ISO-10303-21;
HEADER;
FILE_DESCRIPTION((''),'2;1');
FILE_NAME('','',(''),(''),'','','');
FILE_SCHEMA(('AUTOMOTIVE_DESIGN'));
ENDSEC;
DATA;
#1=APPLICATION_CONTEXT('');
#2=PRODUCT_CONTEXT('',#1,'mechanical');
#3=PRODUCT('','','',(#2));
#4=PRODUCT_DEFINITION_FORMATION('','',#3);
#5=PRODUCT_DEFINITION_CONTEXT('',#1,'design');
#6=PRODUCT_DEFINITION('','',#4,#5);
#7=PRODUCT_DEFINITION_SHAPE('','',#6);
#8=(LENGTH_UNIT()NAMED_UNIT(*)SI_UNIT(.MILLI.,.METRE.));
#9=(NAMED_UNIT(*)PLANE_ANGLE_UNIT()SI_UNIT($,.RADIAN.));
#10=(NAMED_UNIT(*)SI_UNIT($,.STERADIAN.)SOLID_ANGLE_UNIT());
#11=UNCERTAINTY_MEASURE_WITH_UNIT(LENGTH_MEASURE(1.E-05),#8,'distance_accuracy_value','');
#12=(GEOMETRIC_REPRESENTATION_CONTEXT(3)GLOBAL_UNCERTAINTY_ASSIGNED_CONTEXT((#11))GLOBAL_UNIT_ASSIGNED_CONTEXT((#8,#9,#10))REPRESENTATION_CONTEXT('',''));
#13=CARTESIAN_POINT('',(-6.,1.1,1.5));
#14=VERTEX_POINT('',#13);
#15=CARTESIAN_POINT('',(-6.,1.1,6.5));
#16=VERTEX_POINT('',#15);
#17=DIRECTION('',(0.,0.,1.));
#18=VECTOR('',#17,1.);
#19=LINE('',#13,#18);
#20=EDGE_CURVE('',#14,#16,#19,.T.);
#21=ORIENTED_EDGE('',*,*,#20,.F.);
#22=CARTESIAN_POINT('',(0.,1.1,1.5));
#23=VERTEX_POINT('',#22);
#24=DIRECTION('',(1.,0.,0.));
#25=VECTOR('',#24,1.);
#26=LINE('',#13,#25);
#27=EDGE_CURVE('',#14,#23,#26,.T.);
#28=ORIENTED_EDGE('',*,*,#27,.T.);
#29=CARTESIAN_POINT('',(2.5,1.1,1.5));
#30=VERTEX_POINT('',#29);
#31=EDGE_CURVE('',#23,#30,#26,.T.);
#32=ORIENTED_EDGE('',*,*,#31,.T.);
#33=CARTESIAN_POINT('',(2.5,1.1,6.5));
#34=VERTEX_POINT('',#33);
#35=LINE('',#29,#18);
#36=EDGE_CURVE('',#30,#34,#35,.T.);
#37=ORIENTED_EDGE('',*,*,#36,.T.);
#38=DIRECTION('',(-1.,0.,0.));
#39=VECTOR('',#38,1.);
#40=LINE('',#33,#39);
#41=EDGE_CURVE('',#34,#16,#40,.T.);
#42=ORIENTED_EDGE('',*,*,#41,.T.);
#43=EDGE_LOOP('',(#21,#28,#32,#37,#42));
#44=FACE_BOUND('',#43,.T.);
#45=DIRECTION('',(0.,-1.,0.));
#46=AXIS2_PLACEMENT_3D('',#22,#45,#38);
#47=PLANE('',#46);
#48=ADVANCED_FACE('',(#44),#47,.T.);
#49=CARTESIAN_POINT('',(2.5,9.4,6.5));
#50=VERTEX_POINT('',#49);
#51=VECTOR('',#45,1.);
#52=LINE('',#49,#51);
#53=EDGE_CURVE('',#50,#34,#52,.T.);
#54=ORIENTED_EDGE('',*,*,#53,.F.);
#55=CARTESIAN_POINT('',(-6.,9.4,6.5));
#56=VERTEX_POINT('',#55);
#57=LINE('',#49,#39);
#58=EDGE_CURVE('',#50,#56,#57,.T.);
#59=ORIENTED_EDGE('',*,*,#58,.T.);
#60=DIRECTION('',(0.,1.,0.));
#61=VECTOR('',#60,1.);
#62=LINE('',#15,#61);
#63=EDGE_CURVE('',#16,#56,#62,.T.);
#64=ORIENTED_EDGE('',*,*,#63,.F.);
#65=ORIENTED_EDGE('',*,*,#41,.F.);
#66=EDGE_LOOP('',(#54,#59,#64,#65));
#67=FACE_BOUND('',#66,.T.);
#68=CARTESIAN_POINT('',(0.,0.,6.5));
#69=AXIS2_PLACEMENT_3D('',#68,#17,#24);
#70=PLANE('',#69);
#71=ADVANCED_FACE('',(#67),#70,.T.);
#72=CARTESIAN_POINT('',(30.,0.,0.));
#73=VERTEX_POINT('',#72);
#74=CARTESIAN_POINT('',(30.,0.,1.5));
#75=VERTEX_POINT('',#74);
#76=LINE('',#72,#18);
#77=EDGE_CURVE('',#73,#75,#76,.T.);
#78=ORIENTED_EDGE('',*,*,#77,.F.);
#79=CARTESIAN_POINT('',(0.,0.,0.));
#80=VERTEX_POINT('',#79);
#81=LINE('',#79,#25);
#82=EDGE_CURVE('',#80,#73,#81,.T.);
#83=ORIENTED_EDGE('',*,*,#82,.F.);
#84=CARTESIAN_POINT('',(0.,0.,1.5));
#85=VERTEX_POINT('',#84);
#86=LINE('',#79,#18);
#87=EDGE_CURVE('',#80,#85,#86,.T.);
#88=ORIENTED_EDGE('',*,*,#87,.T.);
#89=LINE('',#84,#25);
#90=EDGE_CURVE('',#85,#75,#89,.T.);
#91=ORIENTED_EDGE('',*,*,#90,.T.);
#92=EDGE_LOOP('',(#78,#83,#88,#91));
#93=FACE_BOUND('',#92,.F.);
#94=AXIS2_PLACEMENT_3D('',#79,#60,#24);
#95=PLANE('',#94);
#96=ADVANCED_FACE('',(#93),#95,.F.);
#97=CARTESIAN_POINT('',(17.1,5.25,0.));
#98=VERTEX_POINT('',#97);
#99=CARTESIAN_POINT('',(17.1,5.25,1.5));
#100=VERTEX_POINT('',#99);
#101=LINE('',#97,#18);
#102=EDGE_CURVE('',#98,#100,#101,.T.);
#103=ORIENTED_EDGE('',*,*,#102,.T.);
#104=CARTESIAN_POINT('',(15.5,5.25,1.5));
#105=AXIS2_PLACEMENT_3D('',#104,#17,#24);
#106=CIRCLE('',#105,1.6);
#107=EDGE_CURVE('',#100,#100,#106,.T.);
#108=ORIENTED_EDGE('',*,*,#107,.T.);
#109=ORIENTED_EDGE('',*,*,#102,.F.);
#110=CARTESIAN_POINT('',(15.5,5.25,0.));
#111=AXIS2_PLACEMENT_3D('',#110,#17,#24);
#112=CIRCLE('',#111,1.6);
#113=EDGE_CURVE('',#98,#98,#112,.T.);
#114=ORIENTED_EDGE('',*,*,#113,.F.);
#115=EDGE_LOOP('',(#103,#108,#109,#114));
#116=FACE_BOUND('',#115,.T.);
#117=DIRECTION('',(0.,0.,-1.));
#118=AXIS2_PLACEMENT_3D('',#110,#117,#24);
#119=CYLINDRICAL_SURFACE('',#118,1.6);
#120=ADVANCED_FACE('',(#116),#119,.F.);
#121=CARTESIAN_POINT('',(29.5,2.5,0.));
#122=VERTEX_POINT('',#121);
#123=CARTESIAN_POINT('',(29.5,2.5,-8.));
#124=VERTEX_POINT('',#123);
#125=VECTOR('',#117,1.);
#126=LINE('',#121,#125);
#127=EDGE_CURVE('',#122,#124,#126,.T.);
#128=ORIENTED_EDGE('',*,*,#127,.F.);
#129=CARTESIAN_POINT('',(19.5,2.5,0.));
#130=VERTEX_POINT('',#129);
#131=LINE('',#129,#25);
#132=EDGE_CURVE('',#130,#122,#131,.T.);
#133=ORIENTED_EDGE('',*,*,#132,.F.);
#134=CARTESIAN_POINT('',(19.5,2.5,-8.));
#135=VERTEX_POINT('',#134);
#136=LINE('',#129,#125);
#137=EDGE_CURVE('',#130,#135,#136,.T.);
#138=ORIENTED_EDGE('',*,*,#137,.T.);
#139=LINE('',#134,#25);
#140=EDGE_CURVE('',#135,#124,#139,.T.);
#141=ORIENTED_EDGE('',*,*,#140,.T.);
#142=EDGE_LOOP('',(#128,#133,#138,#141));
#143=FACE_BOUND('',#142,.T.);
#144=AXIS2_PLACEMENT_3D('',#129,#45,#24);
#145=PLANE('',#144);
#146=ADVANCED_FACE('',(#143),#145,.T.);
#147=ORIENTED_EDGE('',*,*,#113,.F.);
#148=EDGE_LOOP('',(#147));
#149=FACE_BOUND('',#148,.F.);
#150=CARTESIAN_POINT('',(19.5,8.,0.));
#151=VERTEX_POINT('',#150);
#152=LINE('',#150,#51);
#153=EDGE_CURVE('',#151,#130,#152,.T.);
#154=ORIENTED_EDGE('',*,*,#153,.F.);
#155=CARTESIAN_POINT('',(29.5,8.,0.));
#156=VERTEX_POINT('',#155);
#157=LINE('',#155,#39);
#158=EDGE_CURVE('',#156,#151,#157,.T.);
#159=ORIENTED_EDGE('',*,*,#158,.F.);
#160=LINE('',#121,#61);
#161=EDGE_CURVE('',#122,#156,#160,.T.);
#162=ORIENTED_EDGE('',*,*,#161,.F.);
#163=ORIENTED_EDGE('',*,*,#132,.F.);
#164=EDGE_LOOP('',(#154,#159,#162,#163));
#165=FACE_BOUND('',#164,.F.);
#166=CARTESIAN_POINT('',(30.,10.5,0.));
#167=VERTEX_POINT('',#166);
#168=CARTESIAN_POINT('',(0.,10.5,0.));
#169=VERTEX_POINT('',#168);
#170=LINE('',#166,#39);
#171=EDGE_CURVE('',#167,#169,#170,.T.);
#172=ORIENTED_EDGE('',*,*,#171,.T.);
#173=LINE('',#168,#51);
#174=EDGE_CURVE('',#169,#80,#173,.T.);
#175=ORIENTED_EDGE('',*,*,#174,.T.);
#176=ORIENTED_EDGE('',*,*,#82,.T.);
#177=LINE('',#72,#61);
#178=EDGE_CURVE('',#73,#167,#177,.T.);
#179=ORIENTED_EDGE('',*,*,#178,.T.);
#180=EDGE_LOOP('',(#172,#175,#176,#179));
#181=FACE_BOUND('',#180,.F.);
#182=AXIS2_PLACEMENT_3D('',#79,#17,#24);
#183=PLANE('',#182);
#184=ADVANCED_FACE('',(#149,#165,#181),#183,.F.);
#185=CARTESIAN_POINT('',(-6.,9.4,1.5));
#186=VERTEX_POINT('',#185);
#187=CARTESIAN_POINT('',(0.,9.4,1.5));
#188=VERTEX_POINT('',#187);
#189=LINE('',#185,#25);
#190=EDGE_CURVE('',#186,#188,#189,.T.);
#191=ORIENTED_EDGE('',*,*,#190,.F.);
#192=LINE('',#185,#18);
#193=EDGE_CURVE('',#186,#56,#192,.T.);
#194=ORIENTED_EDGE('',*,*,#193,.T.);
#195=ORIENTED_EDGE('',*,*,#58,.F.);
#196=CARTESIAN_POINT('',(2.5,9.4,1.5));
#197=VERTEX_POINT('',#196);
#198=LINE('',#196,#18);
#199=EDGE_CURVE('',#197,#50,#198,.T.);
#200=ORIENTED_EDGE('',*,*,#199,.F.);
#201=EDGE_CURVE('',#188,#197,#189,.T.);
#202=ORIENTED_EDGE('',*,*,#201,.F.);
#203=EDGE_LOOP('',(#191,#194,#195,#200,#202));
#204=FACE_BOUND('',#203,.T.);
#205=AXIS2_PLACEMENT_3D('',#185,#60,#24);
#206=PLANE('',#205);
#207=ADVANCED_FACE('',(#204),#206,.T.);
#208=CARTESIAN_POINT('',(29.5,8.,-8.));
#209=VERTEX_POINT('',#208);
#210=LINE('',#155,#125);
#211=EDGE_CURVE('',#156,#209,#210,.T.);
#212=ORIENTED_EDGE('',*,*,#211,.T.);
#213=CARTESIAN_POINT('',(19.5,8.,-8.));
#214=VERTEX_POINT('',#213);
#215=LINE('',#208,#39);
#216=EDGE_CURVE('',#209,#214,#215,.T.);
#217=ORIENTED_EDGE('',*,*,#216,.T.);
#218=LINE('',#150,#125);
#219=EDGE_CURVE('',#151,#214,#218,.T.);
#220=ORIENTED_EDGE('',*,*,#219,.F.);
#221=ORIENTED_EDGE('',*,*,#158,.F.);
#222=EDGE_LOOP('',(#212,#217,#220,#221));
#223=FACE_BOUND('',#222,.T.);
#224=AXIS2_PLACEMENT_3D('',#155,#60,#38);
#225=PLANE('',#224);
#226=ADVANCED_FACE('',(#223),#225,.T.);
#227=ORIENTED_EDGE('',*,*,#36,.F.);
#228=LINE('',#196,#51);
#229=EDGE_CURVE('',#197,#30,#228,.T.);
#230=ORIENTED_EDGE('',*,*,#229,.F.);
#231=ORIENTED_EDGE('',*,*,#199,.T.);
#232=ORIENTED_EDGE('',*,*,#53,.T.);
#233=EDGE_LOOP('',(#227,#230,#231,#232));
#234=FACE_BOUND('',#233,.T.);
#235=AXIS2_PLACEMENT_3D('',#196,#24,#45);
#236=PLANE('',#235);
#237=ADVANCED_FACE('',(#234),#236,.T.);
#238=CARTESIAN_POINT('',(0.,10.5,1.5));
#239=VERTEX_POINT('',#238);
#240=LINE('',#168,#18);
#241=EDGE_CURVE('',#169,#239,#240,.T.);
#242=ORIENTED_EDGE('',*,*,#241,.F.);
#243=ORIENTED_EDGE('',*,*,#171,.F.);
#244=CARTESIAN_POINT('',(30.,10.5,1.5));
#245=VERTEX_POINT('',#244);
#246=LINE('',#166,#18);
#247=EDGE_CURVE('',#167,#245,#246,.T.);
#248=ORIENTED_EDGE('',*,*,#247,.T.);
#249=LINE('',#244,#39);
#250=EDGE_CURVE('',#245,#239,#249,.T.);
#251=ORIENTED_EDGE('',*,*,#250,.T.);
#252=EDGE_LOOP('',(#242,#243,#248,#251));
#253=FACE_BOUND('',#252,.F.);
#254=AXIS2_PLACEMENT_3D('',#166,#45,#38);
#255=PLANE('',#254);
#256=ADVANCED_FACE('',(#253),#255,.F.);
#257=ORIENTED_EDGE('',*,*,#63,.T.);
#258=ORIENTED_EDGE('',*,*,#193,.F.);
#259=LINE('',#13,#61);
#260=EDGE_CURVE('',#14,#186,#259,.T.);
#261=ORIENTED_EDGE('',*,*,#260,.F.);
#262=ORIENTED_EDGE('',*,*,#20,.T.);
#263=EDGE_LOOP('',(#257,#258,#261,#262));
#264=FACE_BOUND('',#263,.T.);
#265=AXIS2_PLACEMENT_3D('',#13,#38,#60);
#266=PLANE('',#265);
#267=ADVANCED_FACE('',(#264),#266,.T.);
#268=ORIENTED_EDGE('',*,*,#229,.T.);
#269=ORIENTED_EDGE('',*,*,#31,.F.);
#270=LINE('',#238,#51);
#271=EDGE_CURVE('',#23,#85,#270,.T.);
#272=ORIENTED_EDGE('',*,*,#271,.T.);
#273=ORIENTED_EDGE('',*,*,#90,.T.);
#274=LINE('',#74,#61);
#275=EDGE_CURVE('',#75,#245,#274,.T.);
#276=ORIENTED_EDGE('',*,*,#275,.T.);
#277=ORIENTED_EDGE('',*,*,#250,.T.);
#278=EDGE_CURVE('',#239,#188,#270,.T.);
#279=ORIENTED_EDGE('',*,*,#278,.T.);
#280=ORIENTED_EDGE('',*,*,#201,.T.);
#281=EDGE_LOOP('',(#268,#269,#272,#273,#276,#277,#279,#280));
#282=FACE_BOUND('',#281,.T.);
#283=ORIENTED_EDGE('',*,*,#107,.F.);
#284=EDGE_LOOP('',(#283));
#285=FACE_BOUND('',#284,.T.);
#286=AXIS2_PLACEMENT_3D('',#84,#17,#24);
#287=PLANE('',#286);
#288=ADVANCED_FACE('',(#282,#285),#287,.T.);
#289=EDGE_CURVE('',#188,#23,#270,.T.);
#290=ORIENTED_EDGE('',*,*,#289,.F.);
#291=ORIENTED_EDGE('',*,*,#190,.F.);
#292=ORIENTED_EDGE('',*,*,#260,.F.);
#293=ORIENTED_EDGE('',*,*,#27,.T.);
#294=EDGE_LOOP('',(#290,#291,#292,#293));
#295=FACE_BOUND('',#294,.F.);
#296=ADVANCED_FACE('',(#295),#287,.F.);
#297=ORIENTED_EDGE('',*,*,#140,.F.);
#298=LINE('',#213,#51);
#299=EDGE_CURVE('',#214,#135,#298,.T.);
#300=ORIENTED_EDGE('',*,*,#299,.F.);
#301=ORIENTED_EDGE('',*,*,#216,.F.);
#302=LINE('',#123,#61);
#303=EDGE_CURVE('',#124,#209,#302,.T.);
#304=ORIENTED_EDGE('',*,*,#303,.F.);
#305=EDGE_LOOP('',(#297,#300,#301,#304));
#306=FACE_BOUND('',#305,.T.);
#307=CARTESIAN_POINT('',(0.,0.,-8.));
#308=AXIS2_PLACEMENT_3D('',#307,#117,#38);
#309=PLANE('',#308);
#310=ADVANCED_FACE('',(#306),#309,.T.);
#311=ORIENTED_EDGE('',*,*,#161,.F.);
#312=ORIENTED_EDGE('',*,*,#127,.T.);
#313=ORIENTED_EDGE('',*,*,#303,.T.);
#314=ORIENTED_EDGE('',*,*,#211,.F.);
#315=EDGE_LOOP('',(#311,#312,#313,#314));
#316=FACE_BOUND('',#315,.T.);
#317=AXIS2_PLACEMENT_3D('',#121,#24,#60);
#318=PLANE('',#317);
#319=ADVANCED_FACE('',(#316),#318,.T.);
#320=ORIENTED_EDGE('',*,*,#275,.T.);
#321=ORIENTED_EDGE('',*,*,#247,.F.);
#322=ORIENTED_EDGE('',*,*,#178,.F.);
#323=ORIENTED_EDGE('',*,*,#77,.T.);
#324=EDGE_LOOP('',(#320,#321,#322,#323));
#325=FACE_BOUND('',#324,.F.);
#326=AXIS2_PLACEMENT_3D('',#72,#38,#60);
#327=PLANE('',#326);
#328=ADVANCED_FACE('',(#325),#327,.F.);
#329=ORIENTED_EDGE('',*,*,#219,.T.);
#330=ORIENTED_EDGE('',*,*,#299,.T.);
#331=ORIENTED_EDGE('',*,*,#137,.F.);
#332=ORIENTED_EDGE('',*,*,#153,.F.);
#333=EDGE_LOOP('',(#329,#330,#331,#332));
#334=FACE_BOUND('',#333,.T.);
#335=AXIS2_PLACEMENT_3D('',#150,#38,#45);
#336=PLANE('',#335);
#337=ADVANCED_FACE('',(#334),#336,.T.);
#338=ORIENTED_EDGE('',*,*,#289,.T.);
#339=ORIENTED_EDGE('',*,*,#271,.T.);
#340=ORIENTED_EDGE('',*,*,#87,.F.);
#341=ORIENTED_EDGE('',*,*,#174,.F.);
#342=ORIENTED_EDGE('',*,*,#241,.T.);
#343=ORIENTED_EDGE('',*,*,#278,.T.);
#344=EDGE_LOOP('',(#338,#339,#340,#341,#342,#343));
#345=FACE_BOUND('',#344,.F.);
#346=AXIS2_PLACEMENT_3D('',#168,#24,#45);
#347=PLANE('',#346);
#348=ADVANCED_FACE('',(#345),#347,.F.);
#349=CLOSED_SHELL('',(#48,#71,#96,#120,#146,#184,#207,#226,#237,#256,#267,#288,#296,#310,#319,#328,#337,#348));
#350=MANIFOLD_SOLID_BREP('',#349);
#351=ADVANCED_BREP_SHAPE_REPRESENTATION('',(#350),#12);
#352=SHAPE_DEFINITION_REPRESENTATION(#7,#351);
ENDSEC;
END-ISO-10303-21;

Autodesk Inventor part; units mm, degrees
ref_plane "YZ Plane" through (0, 0, 0) normal (1, 0, 0) x (0, 1, 0)
ref_plane "XZ Plane" through (0, 0, 0) normal (0, 1, 0) x (-1, 0, 0)
ref_plane "XY Plane" through (0, 0, 0) normal (0, 0, 1) x (1, 0, 0)
sketch "Sketch1" plane through (0, 0, 0) normal (0, 0, 1) x (1, 0, 0)
  line L0 (0, 0) -> (30, 0)
  line L1 (30, 0) -> (30, 10.5)
  line L2 (30, 10.5) -> (0, 10.5)
  line L3 (0, 10.5) -> (0, 0)
  circle A0 centre (15.5, 5.25) radius 1.6
  point P0 (0, 5.25)
  dimension "d0" = 30
  dimension "d1" = 10.5
  dimension "d2" = 3.2
  dimension "d3" = 14.5
extrude "Extrusion1" add sketch "Sketch1" along normal blind 1.5
sketch "Sketch2" plane through (0, 0, 1.5) normal (0, 0, 1) x (1, 0, 0)
  line L0 (0, 0) -> (0, 10.5) projected
  line L1 (30, 10.5) -> (30, 0) projected
  line L2 (-6, 9.4) -> (2.5, 9.4)
  line L3 (2.5, 9.4) -> (2.5, 1.1)
  line L4 (2.5, 1.1) -> (-6, 1.1)
  line L5 (-6, 1.1) -> (-6, 9.4)
  point P0 (-6, 5.25)
  point P1 (0, 5.25)
  dimension "d6" = 36
  dimension "d7" = 8.3
  dimension "d8" = 2.5
extrude "Extrusion2" add sketch "Sketch2" along normal blind 5
sketch "Sketch3" plane through (0, 0, 0) normal (0, 0, -1) x (-1, 0, 0)
  line L0 (-30, 0) -> (-30, 10.5) projected
  line L1 (-29.5, 8) -> (-19.5, 8)
  line L2 (-19.5, 8) -> (-19.5, 2.5)
  line L3 (-19.5, 2.5) -> (-29.5, 2.5)
  line L4 (-29.5, 2.5) -> (-29.5, 8)
  point P0 (-29.5, 5.25)
  point P1 (-30, 5.25)
  dimension "d11" = 10
  dimension "d12" = 5.5
  dimension "d13" = 0.5
extrude "Extrusion3" add sketch "Sketch3" along normal blind 8
properties part number "Sensor"
